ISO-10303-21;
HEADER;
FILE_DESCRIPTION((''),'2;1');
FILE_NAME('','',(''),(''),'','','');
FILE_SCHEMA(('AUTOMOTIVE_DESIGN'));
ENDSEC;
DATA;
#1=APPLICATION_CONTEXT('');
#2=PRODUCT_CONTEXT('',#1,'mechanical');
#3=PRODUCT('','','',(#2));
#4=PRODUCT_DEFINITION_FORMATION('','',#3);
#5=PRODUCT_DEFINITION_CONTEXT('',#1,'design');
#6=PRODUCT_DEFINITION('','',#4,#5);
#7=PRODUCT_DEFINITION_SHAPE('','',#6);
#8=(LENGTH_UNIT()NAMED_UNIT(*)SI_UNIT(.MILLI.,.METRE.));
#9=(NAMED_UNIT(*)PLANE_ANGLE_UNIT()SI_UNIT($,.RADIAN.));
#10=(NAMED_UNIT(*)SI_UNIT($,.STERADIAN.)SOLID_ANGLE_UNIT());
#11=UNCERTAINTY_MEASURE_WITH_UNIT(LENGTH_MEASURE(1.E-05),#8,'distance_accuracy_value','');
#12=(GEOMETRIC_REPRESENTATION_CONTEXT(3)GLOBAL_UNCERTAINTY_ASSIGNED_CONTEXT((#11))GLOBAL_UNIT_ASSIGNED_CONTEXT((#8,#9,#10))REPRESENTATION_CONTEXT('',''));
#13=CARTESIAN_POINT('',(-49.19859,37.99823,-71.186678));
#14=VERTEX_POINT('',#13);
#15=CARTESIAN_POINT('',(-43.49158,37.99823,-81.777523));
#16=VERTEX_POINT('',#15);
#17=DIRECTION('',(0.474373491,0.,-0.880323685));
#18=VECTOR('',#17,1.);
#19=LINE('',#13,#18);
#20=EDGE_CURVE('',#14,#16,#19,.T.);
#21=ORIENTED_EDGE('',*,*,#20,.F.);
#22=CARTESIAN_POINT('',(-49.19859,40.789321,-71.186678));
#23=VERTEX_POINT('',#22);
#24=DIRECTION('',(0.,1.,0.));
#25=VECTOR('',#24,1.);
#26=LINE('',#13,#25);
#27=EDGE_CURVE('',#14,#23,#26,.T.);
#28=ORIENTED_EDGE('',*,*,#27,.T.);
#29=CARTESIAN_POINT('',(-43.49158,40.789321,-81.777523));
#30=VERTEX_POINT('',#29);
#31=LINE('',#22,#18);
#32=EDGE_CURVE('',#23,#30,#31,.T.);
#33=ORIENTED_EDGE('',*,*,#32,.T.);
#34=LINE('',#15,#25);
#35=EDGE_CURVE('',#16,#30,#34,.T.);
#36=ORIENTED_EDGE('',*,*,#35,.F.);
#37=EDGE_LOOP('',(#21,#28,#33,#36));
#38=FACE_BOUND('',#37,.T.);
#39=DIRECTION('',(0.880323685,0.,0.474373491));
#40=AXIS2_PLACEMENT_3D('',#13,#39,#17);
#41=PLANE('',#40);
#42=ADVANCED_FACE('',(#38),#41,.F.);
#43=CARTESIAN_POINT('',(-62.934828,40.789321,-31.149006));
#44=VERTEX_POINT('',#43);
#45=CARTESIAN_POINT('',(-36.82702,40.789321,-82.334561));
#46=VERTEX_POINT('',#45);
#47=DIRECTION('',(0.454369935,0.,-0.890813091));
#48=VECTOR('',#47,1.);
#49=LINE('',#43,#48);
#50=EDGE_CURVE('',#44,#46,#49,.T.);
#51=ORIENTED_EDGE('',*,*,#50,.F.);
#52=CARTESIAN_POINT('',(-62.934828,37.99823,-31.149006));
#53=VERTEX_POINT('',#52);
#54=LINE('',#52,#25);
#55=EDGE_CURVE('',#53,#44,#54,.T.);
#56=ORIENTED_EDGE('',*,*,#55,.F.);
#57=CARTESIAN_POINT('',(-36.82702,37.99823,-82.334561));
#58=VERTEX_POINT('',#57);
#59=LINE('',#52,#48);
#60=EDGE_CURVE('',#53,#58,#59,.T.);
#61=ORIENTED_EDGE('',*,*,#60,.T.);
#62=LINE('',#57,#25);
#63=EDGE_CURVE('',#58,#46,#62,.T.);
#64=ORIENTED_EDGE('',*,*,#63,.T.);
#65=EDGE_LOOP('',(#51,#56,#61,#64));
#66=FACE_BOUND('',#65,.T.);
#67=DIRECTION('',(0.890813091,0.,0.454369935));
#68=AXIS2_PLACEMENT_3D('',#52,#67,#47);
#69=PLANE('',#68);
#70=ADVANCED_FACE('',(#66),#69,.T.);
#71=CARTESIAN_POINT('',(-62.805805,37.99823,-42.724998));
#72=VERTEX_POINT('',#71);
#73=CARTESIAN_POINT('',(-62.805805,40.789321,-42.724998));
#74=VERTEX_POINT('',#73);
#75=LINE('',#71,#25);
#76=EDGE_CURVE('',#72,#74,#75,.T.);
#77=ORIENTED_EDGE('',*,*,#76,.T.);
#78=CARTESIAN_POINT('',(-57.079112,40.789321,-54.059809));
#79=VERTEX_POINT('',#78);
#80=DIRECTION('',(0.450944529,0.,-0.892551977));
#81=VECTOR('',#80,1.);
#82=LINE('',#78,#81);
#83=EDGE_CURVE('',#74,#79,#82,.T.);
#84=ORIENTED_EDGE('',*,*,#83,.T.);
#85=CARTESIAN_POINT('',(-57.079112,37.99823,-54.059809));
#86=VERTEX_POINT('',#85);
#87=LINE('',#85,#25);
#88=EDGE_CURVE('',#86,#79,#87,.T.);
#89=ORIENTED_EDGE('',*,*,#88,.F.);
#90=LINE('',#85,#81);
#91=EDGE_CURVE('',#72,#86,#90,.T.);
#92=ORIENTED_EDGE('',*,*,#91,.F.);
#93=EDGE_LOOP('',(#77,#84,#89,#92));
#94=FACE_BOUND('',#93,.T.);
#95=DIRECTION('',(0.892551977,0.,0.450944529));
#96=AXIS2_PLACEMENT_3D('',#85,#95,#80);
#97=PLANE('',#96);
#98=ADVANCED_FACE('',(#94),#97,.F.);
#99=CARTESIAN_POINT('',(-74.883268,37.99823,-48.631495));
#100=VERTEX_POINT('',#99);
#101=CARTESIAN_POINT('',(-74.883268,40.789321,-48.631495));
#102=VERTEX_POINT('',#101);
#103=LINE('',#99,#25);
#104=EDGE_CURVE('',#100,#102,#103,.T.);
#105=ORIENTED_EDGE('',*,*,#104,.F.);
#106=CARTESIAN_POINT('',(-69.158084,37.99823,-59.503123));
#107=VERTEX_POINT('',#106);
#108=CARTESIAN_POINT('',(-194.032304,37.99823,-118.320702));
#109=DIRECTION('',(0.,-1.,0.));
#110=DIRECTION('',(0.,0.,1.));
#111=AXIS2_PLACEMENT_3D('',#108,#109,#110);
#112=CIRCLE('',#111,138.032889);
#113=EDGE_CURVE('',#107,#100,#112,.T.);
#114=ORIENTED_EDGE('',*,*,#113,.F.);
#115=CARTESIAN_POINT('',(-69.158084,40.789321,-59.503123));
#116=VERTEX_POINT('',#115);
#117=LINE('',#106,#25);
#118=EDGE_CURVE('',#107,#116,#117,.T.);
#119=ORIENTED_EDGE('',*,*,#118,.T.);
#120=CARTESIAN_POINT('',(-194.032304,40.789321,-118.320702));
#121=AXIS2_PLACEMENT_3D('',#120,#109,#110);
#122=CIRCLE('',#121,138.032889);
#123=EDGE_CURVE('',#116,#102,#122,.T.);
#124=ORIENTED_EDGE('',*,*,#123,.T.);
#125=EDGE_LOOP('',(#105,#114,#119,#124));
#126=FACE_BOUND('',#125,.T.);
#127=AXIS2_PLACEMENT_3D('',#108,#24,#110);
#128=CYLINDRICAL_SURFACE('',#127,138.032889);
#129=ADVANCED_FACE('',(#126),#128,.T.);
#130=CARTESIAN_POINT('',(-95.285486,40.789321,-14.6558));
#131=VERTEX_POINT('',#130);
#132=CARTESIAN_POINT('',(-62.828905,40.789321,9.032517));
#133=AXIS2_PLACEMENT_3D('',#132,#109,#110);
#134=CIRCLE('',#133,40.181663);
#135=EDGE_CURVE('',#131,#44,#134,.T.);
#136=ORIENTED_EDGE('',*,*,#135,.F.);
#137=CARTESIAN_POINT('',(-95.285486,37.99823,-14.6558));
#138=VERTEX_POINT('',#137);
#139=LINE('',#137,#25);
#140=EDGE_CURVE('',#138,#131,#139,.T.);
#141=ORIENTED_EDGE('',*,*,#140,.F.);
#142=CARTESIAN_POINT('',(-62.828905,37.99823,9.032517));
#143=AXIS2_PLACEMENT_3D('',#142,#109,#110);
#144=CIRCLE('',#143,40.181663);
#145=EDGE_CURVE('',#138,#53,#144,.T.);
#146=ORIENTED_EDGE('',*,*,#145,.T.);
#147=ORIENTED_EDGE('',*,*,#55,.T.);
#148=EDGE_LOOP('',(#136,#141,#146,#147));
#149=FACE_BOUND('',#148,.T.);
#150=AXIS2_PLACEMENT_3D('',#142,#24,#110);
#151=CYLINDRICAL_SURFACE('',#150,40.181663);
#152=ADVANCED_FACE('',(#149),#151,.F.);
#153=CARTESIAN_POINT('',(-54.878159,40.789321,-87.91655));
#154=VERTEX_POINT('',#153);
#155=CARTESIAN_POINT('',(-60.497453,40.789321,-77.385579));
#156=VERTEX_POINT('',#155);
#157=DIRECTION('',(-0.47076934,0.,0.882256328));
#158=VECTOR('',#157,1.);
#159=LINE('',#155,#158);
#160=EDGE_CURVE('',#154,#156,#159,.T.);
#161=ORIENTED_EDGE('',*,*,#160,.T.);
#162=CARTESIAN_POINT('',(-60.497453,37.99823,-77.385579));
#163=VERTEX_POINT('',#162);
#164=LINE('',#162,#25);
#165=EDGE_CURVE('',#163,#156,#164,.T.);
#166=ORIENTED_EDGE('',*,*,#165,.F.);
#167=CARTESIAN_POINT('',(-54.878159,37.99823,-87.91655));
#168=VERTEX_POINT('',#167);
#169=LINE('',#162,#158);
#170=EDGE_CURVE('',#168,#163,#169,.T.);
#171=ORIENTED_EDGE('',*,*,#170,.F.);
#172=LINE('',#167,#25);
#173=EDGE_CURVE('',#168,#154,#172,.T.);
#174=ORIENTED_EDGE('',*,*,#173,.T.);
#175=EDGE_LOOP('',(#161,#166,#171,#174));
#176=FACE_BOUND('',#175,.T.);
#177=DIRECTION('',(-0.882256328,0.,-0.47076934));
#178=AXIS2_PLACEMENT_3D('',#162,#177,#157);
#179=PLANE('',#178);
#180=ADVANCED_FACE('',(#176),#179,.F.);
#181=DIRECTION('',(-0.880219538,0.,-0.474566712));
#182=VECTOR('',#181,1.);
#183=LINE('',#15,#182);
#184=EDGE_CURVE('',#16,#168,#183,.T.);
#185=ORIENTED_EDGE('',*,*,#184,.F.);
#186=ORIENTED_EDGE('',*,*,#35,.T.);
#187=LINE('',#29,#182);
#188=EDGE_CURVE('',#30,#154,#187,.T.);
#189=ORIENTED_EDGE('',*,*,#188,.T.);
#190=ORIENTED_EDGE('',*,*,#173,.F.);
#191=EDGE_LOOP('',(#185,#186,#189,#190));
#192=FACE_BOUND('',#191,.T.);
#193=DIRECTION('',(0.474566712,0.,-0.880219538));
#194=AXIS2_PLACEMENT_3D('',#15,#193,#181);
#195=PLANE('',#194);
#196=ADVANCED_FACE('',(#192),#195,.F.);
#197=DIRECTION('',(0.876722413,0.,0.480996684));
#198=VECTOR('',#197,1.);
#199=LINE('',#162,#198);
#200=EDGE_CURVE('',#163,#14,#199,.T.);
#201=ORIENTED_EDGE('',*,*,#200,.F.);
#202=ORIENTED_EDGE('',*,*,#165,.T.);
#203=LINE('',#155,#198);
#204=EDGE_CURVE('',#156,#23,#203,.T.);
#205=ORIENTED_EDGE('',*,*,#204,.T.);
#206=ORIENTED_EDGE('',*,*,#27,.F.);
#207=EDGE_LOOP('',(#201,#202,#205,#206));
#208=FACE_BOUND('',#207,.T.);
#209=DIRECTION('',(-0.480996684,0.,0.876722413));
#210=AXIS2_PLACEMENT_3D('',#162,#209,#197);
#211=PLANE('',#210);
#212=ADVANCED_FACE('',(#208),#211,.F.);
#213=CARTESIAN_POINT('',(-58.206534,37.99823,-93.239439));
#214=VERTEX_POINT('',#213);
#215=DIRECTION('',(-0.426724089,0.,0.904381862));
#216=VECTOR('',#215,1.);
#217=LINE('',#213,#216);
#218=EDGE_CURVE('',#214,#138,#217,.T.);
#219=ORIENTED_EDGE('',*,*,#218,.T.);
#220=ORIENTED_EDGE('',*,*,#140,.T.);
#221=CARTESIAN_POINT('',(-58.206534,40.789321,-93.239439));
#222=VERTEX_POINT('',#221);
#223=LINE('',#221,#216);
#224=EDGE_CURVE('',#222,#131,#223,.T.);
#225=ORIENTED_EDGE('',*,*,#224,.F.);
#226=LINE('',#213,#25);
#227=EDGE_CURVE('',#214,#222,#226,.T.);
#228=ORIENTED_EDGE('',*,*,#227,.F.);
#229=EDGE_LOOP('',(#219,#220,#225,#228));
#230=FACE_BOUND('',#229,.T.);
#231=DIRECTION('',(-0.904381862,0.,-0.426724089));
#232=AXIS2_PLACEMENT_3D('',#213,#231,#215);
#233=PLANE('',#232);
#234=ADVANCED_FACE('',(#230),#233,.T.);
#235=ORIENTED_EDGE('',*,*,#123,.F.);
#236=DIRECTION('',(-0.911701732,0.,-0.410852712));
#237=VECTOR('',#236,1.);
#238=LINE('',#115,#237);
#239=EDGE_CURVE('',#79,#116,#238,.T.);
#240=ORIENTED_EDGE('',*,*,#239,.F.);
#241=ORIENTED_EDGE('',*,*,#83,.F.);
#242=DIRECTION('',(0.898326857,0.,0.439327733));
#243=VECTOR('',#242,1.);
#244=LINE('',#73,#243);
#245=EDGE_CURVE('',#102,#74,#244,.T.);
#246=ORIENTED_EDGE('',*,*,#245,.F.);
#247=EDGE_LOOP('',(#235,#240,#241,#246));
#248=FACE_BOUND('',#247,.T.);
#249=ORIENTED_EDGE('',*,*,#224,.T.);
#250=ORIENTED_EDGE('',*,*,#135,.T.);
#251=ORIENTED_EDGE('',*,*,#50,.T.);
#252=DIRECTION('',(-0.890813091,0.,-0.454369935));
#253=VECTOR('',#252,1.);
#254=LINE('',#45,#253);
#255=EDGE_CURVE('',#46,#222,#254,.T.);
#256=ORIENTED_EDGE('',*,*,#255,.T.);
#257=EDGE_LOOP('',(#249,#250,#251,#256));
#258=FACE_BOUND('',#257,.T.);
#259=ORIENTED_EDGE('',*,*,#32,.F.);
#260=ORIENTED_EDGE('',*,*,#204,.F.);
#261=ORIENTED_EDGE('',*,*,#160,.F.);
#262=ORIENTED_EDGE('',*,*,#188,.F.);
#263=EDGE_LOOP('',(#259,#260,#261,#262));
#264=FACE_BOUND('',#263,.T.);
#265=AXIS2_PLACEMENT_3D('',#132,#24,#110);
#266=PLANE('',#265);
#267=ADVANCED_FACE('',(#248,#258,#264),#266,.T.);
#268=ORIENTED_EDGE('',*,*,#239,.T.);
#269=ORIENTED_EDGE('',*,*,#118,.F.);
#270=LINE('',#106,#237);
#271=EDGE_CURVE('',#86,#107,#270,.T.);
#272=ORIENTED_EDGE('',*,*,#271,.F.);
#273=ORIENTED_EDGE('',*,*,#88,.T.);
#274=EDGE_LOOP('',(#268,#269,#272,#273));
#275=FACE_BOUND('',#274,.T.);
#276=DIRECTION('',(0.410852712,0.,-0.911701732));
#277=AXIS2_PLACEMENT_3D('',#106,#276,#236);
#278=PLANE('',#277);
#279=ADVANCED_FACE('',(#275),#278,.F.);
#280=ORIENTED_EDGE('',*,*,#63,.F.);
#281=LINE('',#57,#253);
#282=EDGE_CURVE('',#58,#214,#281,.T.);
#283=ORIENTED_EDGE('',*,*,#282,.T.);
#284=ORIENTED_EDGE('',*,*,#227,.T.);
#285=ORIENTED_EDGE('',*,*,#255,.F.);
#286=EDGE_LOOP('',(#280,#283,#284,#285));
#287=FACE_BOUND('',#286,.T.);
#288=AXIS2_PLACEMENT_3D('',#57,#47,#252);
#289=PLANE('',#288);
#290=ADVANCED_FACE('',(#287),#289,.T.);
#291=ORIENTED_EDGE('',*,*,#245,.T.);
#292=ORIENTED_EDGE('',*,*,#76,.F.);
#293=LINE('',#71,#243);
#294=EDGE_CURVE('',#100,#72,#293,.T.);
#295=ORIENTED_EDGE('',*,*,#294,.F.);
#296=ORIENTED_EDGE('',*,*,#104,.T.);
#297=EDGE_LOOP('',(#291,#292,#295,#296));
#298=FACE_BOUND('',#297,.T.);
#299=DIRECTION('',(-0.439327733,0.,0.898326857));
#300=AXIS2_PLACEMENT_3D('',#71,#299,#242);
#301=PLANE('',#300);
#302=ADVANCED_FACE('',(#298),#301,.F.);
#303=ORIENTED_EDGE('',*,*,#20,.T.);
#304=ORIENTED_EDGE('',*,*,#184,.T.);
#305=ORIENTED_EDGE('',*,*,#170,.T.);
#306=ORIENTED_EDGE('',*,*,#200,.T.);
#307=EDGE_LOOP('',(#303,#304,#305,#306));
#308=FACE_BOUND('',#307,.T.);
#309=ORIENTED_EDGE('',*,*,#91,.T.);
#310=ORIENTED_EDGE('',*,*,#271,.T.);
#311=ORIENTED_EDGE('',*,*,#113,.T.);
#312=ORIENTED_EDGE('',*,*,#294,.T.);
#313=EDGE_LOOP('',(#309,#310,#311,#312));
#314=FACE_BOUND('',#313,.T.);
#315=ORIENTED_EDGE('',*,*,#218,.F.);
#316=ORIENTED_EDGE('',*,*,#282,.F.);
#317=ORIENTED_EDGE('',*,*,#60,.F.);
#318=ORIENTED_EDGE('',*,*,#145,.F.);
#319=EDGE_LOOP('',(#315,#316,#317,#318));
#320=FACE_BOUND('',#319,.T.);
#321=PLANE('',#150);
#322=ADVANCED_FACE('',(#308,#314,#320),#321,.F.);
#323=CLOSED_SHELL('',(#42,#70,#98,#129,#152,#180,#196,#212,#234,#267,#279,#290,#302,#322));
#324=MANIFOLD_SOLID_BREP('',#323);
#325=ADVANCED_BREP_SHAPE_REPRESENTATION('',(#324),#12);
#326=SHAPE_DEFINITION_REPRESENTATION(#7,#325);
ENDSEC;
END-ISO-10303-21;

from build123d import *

# Parameters (mm, degrees)
BOSS_EXTRUDE3_DEPTH      = 1
BOSS_EXTRUDE3_DEPTH_BACK = 1.791091685
CUT_EXTRUDE4_DEPTH       = 134.344317451
CUT_EXTRUDE7_DEPTH       = 134.344317451


with BuildPart() as part:
    # Sketch2 → Boss-Extrude3 (new, two sides: drawn at the far end of the back side and taken through both)
    with BuildSketch(Plane(origin=(0, 39.78932127, 0), x_dir=(1, 0, 0), z_dir=(0, 1, 0)).offset(-BOSS_EXTRUDE3_DEPTH_BACK)):
        with BuildLine():
            Line((-62.934827524, 31.1490062), (-36.827019598, 82.334560695))
            Line((-36.827019598, 82.334560695), (-58.206533771, 93.239439133))
            Line((-58.206533771, 93.239439133), (-95.285485747, 14.655800367))
            ThreePointArc((-95.285485747, 14.655800367), (-81.079538231, 26.765253936), (-62.934827524, 31.1490062))
        make_face()
    extrude(amount=BOSS_EXTRUDE3_DEPTH + BOSS_EXTRUDE3_DEPTH_BACK)

    # Sketch14 → Cut-Extrude4 (cut, through all)
    with BuildSketch(Plane(origin=(0, 40.78932127, 0), x_dir=(1, 0, 0), z_dir=(0, 1, 0))):
        Polygon((-60.497453494, 77.385579161), (-49.198590392, 71.186677889), (-43.491580172, 81.777523219), (-54.878158967, 87.916549938), align=None)
    extrude(amount=-CUT_EXTRUDE4_DEPTH, mode=Mode.SUBTRACT)

    # Sketch15 → Cut-Extrude7 (cut, through all)
    with BuildSketch(Plane(origin=(0, 40.78932127, 0), x_dir=(1, 0, 0), z_dir=(0, 1, 0))):
        with BuildLine():
            Line((-69.15808426, 59.503123178), (-57.079111782, 54.0598094))
            Line((-57.079111782, 54.0598094), (-62.805804845, 42.724997947))
            Line((-62.805804845, 42.724997947), (-74.883268234, 48.631494641))
            ThreePointArc((-74.883268234, 48.631494641), (-71.899649138, 54.003573981), (-69.15808426, 59.503123178))
        make_face()
    extrude(amount=-CUT_EXTRUDE7_DEPTH, mode=Mode.SUBTRACT)


solid = part.part
